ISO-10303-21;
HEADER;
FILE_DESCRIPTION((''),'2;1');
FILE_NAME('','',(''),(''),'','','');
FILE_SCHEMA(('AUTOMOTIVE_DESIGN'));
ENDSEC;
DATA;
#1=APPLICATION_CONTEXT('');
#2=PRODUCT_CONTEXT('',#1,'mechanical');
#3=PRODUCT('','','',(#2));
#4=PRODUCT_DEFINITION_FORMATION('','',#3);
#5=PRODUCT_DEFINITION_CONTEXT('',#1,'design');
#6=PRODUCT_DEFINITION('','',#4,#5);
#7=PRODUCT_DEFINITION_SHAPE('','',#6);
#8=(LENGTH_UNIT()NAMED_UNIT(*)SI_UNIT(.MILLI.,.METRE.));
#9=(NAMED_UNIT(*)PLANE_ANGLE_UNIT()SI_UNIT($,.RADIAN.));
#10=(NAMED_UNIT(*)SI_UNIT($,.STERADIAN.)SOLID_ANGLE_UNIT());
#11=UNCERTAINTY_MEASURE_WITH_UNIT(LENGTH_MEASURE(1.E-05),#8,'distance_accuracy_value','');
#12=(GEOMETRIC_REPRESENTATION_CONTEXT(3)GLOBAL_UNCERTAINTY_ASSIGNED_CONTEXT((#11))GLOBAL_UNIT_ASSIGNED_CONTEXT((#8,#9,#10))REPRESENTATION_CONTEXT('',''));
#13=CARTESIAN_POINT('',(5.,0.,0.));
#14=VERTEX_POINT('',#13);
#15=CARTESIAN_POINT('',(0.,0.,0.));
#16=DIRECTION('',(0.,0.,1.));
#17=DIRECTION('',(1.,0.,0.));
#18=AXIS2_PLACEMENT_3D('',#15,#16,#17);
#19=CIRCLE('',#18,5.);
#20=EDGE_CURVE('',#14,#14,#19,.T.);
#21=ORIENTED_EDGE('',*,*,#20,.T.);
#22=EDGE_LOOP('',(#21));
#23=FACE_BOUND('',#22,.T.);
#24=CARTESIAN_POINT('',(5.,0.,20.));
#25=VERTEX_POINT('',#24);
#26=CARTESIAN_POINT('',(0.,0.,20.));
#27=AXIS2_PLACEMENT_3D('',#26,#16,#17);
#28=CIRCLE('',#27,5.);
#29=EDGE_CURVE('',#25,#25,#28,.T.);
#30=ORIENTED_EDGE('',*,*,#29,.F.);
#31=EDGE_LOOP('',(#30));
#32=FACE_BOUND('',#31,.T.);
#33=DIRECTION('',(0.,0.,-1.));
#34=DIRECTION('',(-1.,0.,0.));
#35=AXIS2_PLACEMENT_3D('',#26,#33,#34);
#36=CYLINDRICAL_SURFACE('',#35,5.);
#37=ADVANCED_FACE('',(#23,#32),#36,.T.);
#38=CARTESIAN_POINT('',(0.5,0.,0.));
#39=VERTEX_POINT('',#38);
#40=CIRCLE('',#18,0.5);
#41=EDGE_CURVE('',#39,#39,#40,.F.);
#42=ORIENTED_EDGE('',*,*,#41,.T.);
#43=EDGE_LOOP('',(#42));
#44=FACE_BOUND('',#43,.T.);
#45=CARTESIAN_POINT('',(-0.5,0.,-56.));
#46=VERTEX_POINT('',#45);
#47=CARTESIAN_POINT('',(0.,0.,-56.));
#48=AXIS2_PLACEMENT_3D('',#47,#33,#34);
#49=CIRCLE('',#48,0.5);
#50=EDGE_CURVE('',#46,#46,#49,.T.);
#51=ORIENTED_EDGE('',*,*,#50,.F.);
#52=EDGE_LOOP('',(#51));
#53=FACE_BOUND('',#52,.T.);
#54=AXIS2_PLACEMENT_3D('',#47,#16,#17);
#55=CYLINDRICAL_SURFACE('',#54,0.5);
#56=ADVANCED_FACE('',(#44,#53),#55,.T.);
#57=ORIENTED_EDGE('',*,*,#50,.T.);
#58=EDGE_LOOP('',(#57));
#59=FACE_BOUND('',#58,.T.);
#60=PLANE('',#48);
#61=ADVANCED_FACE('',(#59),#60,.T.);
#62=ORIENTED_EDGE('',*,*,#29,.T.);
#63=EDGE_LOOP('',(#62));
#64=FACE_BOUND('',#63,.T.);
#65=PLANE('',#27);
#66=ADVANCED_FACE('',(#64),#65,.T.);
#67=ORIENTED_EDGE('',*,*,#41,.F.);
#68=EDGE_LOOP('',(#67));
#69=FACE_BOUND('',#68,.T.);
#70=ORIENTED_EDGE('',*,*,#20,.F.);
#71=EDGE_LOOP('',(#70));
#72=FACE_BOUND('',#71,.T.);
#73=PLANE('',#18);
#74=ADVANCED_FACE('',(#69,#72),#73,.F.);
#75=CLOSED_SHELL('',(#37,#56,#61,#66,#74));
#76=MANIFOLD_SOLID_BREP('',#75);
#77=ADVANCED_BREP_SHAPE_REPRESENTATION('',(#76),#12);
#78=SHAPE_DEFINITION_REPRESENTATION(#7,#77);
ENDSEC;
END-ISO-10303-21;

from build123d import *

# Parameters (mm, degrees)
SKETCH_1_R      = 5
EXTRUDE_1_DEPTH = 20
SKETCH_2_R      = 0.5
EXTRUDE_2_DEPTH = 56


with BuildPart() as part:
    # 草图1 → 凸台-拉伸1 (new body)
    with BuildSketch(Plane.XY):
        Circle(SKETCH_1_R)
    extrude(amount=EXTRUDE_1_DEPTH)

    # 草图2 → 凸台-拉伸2 (add)
    with BuildSketch(Plane(origin=(0, 0, 0), x_dir=(-1, 0, 0), z_dir=(0, 0, -1))):
        with Locations(Location((0, 0, 0), (0, 0, 180))):
            Circle(SKETCH_2_R)
    extrude(amount=EXTRUDE_2_DEPTH)


solid = part.part
